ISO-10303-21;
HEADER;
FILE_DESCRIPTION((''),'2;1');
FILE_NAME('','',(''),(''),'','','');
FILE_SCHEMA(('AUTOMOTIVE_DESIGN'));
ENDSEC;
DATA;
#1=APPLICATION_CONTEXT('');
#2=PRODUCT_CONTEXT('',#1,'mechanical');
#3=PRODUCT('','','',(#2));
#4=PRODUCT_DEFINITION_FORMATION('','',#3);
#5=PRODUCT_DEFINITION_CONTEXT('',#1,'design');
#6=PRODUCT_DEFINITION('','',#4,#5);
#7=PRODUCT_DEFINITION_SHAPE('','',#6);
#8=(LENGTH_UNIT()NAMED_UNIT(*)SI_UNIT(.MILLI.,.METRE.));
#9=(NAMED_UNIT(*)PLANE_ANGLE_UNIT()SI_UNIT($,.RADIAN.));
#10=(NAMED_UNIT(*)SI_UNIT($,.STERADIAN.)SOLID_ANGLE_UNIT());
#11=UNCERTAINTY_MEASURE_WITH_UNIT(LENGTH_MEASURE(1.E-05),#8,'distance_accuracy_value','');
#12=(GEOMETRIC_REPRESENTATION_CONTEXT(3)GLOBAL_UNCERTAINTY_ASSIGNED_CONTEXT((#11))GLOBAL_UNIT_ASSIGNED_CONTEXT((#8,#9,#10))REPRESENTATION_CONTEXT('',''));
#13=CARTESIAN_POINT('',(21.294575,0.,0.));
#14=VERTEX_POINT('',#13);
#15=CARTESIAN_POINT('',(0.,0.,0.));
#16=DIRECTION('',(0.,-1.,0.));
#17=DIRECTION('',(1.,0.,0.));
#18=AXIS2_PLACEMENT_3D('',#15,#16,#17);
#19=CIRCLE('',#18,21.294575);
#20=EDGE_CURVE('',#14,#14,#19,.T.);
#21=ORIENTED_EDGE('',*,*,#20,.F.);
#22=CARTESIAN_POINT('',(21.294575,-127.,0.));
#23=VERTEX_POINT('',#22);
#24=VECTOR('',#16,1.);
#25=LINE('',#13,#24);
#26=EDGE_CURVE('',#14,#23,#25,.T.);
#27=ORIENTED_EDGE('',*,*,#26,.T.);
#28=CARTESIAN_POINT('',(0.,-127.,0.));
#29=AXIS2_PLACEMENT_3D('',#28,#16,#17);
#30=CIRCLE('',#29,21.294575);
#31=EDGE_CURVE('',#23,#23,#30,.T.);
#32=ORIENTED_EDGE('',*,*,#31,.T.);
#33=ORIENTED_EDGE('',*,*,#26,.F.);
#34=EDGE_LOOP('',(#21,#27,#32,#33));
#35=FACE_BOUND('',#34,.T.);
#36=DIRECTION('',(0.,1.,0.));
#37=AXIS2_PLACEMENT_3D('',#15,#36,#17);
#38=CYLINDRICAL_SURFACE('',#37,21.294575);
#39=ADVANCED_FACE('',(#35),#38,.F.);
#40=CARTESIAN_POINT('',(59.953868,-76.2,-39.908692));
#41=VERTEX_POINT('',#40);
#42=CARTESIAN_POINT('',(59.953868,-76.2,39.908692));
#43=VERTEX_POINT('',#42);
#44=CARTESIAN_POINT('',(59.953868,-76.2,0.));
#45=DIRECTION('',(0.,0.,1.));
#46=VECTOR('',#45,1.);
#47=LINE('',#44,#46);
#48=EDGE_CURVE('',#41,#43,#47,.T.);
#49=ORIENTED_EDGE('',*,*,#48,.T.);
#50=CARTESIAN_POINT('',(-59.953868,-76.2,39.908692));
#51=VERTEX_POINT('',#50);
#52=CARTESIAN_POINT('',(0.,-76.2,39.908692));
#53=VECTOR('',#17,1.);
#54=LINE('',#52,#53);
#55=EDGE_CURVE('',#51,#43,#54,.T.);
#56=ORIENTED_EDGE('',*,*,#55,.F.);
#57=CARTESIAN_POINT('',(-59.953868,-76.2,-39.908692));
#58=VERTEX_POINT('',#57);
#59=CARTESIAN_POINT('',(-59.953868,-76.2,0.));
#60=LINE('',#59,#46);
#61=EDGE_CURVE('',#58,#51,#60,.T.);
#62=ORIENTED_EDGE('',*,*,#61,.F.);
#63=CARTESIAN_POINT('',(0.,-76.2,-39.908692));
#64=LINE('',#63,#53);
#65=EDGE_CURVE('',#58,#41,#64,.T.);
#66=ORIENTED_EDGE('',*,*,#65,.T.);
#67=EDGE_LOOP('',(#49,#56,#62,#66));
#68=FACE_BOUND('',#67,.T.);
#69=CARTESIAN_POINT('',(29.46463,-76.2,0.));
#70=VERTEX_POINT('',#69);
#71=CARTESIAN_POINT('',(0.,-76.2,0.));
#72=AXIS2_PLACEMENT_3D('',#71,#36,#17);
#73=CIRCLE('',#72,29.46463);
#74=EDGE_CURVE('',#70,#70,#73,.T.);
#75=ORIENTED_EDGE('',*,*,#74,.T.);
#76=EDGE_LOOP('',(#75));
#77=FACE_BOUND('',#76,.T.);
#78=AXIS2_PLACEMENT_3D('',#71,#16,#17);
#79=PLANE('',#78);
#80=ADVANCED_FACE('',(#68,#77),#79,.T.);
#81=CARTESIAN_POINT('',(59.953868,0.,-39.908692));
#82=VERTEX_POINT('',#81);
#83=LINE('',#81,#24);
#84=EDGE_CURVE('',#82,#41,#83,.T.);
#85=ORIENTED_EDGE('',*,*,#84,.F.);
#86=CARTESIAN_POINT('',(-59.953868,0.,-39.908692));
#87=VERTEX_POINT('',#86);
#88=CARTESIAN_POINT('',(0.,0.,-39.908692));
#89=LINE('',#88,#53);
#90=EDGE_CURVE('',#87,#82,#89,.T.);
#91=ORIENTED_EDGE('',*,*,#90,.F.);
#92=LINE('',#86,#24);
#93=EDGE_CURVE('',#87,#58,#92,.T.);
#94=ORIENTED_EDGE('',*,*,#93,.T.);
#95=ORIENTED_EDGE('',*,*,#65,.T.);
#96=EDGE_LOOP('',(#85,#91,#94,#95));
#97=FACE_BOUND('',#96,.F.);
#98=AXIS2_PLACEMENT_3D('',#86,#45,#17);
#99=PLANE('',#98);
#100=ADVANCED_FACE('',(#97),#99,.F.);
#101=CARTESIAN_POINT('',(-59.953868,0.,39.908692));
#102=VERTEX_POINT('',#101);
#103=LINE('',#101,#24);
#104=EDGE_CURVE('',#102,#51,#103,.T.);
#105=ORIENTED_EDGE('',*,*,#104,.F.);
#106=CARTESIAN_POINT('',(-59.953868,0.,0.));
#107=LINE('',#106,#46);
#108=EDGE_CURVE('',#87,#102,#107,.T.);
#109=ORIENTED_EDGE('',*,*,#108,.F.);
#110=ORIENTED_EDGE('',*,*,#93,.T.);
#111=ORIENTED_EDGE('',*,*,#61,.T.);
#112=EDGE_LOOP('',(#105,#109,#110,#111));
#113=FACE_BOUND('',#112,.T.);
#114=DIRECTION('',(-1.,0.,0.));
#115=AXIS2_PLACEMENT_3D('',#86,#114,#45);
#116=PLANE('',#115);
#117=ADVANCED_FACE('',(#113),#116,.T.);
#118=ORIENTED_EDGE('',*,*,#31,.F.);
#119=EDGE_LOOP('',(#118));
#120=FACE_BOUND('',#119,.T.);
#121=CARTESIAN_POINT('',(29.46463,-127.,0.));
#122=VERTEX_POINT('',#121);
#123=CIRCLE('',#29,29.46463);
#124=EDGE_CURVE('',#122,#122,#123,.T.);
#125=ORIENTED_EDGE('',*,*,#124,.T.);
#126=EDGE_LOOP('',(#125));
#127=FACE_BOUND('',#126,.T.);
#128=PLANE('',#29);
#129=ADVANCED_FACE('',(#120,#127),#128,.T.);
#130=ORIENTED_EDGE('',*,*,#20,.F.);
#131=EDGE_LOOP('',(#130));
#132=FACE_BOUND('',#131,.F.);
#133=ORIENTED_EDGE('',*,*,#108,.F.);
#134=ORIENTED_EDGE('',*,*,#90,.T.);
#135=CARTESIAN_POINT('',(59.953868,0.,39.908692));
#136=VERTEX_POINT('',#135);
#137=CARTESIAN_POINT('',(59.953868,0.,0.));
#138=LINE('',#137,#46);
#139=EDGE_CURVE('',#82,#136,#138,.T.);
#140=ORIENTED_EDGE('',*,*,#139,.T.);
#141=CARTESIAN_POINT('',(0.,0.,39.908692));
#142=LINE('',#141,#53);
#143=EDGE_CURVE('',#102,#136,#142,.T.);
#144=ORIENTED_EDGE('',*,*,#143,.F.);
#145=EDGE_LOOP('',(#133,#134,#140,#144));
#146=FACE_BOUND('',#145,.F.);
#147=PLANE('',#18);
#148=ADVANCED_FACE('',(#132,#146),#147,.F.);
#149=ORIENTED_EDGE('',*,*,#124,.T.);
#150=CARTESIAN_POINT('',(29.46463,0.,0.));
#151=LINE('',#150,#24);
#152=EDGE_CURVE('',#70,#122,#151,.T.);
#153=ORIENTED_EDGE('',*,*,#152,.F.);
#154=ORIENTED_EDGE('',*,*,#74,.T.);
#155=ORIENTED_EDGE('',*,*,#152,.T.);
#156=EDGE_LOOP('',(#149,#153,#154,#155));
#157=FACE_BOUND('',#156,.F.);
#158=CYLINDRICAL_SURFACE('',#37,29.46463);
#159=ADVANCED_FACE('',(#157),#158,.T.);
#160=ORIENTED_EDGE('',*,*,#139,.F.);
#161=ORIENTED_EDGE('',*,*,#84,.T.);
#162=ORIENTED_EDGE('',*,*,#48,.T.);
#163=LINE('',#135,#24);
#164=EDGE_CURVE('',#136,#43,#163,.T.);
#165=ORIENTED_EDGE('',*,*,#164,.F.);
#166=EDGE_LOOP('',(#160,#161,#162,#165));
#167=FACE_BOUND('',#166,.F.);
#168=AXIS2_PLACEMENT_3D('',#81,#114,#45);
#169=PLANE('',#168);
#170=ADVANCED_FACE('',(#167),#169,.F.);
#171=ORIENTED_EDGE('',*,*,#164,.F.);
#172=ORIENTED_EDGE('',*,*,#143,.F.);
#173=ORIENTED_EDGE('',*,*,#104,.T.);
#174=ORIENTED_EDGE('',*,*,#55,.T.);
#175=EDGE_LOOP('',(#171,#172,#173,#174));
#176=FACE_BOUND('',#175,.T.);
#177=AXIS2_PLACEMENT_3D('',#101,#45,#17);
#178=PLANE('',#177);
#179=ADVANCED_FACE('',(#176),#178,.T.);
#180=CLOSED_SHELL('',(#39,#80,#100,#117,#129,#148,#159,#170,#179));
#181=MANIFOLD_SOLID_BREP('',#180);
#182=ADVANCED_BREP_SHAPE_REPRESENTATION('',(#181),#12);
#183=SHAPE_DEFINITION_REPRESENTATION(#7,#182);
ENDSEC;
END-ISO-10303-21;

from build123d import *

# Parameters (mm, degrees)
F0_W     = 119.907736
F0_H     = 79.817384
F0_R     = 22.149013
F2_DEPTH = 76.2
F1_R     = 29.46463
F1_R_2   = 21.294575
F3_DEPTH = 127


with BuildPart() as f2:
    # F0 (on Front) → F2 (new body)
    with BuildSketch(Plane.XZ):
        Rectangle(F0_W, F0_H)
        Circle(F0_R, mode=Mode.SUBTRACT)
    extrude(amount=F2_DEPTH)

    # F1 (on Front) → F3 (join)
    with BuildSketch(Plane.XZ):
        Circle(F1_R)
        Circle(F1_R_2, mode=Mode.SUBTRACT)
    extrude(amount=F3_DEPTH)


solid = f2.part
